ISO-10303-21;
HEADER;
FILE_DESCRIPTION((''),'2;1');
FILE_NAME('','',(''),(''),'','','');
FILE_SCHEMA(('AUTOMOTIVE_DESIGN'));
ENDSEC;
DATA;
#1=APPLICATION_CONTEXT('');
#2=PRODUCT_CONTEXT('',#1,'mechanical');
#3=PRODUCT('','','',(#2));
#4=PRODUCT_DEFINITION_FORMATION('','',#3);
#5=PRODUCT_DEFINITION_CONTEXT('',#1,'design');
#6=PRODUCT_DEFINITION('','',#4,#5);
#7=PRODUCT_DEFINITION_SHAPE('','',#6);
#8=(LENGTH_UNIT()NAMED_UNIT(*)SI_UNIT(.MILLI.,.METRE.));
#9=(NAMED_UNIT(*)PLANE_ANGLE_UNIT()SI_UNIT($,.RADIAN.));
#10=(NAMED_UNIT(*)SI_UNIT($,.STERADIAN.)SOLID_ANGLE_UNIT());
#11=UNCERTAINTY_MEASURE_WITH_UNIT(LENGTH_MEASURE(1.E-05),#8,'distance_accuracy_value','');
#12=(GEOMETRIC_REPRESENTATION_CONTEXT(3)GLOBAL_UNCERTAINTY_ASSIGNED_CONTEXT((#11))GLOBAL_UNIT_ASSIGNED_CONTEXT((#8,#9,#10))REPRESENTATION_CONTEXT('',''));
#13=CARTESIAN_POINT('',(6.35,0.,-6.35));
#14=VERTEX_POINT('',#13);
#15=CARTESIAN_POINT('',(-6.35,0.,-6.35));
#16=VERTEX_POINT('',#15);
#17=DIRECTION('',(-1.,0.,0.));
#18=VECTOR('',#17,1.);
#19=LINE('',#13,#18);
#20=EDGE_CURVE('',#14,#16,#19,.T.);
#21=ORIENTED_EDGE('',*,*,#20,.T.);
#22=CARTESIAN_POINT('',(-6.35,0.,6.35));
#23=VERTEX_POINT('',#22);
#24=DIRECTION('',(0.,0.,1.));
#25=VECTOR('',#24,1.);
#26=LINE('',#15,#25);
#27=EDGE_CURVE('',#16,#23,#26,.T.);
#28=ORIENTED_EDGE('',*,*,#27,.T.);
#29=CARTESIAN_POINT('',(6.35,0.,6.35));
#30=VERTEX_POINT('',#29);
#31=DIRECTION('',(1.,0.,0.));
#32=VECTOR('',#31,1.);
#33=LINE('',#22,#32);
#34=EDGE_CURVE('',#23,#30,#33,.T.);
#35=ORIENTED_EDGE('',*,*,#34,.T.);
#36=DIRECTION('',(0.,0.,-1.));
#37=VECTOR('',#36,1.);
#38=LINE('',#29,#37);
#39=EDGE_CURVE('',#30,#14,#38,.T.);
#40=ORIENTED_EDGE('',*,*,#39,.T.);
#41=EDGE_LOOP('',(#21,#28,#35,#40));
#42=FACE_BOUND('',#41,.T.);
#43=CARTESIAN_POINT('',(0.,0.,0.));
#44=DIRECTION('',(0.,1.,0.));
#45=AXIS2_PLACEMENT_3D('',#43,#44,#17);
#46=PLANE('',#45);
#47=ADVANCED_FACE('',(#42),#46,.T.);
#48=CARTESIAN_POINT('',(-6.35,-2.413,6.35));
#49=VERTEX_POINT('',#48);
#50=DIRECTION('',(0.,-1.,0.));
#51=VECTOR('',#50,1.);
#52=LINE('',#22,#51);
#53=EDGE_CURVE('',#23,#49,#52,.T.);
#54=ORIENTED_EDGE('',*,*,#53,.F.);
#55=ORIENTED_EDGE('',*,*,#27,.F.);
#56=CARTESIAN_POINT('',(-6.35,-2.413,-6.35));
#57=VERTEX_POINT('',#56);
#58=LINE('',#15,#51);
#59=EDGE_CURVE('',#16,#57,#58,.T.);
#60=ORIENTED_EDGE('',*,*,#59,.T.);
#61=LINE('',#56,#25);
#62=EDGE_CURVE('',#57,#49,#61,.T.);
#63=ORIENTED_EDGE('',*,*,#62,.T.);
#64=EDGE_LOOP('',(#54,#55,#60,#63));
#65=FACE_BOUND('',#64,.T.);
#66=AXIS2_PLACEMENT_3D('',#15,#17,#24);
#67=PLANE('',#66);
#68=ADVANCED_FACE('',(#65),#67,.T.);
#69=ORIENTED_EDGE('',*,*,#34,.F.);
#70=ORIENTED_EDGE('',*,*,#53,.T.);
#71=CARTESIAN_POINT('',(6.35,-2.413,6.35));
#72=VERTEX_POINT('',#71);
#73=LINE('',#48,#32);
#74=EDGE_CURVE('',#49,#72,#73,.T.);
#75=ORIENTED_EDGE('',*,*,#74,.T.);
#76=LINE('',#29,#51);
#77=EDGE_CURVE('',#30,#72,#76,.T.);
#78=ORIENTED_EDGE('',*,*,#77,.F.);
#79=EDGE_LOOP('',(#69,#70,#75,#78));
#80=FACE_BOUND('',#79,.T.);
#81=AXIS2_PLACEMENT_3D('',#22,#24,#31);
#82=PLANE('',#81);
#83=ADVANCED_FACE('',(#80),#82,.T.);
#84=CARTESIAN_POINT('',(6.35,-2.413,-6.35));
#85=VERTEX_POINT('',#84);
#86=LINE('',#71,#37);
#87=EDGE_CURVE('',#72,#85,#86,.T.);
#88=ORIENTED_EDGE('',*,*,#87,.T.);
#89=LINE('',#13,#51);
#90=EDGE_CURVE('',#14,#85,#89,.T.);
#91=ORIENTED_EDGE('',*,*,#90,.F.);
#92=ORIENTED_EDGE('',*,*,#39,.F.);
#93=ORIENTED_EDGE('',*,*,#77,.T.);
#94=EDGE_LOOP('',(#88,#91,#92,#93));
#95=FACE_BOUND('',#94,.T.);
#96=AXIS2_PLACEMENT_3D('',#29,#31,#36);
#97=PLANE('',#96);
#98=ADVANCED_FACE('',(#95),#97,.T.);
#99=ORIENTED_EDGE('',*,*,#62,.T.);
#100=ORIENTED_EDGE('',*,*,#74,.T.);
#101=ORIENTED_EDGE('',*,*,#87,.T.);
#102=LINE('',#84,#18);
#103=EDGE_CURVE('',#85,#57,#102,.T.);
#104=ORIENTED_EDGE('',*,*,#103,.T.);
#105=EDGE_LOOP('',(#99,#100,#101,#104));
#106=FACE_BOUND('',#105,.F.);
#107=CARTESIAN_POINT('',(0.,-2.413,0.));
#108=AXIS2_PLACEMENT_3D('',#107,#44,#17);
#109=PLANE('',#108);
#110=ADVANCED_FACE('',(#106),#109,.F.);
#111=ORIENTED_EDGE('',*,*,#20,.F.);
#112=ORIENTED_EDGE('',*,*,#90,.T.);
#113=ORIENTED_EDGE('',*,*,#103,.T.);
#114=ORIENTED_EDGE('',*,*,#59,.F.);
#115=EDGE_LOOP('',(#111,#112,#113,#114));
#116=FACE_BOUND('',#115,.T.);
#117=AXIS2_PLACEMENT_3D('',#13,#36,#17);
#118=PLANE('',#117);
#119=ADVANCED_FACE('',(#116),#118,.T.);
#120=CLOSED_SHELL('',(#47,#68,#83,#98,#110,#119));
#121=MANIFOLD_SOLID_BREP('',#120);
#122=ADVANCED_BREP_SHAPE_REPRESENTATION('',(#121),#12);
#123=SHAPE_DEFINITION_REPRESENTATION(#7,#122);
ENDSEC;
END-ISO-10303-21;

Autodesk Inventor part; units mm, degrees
sketch "Sketch_3" plane through (0, 0, 0) normal (0, 1, 0) x (-1, 0, 0)
  line L0 (6.35, 6.35) -> (-6.35, 6.35)
  line L1 (-6.35, 6.35) -> (-6.35, -6.35)
  line L2 (-6.35, -6.35) -> (6.35, -6.35)
  line L3 (6.35, -6.35) -> (6.35, 6.35)
extrude "Extrusion1" add sketch "Sketch_3" against normal blind 2.413
ref_plane "diffuser_to_body_XY" through (0, 0, 0) normal (0, 1, 0) x (1, 0, 0)
ref_plane "diffuser_to_body_YZ" through (0, 0, 0) normal (1, 0, 0) x (0, 0, -1)
ref_plane "diffuser_to_body_ZX" through (0, 0, 0) normal (0, 0, -1) x (0, 1, 0)
ref_plane "lens2_to_body_XY" through (0, 0, 0) normal (0, 1, 0) x (1, 0, 0)
ref_plane "lens2_to_body_YZ" through (0, 0, 0) normal (1, 0, 0) x (0, 0, -1)
ref_plane "lens2_to_body_ZX" through (0, 0, 0) normal (0, 0, -1) x (0, 1, 0)
properties part number "UB216KKW015C-NR"
